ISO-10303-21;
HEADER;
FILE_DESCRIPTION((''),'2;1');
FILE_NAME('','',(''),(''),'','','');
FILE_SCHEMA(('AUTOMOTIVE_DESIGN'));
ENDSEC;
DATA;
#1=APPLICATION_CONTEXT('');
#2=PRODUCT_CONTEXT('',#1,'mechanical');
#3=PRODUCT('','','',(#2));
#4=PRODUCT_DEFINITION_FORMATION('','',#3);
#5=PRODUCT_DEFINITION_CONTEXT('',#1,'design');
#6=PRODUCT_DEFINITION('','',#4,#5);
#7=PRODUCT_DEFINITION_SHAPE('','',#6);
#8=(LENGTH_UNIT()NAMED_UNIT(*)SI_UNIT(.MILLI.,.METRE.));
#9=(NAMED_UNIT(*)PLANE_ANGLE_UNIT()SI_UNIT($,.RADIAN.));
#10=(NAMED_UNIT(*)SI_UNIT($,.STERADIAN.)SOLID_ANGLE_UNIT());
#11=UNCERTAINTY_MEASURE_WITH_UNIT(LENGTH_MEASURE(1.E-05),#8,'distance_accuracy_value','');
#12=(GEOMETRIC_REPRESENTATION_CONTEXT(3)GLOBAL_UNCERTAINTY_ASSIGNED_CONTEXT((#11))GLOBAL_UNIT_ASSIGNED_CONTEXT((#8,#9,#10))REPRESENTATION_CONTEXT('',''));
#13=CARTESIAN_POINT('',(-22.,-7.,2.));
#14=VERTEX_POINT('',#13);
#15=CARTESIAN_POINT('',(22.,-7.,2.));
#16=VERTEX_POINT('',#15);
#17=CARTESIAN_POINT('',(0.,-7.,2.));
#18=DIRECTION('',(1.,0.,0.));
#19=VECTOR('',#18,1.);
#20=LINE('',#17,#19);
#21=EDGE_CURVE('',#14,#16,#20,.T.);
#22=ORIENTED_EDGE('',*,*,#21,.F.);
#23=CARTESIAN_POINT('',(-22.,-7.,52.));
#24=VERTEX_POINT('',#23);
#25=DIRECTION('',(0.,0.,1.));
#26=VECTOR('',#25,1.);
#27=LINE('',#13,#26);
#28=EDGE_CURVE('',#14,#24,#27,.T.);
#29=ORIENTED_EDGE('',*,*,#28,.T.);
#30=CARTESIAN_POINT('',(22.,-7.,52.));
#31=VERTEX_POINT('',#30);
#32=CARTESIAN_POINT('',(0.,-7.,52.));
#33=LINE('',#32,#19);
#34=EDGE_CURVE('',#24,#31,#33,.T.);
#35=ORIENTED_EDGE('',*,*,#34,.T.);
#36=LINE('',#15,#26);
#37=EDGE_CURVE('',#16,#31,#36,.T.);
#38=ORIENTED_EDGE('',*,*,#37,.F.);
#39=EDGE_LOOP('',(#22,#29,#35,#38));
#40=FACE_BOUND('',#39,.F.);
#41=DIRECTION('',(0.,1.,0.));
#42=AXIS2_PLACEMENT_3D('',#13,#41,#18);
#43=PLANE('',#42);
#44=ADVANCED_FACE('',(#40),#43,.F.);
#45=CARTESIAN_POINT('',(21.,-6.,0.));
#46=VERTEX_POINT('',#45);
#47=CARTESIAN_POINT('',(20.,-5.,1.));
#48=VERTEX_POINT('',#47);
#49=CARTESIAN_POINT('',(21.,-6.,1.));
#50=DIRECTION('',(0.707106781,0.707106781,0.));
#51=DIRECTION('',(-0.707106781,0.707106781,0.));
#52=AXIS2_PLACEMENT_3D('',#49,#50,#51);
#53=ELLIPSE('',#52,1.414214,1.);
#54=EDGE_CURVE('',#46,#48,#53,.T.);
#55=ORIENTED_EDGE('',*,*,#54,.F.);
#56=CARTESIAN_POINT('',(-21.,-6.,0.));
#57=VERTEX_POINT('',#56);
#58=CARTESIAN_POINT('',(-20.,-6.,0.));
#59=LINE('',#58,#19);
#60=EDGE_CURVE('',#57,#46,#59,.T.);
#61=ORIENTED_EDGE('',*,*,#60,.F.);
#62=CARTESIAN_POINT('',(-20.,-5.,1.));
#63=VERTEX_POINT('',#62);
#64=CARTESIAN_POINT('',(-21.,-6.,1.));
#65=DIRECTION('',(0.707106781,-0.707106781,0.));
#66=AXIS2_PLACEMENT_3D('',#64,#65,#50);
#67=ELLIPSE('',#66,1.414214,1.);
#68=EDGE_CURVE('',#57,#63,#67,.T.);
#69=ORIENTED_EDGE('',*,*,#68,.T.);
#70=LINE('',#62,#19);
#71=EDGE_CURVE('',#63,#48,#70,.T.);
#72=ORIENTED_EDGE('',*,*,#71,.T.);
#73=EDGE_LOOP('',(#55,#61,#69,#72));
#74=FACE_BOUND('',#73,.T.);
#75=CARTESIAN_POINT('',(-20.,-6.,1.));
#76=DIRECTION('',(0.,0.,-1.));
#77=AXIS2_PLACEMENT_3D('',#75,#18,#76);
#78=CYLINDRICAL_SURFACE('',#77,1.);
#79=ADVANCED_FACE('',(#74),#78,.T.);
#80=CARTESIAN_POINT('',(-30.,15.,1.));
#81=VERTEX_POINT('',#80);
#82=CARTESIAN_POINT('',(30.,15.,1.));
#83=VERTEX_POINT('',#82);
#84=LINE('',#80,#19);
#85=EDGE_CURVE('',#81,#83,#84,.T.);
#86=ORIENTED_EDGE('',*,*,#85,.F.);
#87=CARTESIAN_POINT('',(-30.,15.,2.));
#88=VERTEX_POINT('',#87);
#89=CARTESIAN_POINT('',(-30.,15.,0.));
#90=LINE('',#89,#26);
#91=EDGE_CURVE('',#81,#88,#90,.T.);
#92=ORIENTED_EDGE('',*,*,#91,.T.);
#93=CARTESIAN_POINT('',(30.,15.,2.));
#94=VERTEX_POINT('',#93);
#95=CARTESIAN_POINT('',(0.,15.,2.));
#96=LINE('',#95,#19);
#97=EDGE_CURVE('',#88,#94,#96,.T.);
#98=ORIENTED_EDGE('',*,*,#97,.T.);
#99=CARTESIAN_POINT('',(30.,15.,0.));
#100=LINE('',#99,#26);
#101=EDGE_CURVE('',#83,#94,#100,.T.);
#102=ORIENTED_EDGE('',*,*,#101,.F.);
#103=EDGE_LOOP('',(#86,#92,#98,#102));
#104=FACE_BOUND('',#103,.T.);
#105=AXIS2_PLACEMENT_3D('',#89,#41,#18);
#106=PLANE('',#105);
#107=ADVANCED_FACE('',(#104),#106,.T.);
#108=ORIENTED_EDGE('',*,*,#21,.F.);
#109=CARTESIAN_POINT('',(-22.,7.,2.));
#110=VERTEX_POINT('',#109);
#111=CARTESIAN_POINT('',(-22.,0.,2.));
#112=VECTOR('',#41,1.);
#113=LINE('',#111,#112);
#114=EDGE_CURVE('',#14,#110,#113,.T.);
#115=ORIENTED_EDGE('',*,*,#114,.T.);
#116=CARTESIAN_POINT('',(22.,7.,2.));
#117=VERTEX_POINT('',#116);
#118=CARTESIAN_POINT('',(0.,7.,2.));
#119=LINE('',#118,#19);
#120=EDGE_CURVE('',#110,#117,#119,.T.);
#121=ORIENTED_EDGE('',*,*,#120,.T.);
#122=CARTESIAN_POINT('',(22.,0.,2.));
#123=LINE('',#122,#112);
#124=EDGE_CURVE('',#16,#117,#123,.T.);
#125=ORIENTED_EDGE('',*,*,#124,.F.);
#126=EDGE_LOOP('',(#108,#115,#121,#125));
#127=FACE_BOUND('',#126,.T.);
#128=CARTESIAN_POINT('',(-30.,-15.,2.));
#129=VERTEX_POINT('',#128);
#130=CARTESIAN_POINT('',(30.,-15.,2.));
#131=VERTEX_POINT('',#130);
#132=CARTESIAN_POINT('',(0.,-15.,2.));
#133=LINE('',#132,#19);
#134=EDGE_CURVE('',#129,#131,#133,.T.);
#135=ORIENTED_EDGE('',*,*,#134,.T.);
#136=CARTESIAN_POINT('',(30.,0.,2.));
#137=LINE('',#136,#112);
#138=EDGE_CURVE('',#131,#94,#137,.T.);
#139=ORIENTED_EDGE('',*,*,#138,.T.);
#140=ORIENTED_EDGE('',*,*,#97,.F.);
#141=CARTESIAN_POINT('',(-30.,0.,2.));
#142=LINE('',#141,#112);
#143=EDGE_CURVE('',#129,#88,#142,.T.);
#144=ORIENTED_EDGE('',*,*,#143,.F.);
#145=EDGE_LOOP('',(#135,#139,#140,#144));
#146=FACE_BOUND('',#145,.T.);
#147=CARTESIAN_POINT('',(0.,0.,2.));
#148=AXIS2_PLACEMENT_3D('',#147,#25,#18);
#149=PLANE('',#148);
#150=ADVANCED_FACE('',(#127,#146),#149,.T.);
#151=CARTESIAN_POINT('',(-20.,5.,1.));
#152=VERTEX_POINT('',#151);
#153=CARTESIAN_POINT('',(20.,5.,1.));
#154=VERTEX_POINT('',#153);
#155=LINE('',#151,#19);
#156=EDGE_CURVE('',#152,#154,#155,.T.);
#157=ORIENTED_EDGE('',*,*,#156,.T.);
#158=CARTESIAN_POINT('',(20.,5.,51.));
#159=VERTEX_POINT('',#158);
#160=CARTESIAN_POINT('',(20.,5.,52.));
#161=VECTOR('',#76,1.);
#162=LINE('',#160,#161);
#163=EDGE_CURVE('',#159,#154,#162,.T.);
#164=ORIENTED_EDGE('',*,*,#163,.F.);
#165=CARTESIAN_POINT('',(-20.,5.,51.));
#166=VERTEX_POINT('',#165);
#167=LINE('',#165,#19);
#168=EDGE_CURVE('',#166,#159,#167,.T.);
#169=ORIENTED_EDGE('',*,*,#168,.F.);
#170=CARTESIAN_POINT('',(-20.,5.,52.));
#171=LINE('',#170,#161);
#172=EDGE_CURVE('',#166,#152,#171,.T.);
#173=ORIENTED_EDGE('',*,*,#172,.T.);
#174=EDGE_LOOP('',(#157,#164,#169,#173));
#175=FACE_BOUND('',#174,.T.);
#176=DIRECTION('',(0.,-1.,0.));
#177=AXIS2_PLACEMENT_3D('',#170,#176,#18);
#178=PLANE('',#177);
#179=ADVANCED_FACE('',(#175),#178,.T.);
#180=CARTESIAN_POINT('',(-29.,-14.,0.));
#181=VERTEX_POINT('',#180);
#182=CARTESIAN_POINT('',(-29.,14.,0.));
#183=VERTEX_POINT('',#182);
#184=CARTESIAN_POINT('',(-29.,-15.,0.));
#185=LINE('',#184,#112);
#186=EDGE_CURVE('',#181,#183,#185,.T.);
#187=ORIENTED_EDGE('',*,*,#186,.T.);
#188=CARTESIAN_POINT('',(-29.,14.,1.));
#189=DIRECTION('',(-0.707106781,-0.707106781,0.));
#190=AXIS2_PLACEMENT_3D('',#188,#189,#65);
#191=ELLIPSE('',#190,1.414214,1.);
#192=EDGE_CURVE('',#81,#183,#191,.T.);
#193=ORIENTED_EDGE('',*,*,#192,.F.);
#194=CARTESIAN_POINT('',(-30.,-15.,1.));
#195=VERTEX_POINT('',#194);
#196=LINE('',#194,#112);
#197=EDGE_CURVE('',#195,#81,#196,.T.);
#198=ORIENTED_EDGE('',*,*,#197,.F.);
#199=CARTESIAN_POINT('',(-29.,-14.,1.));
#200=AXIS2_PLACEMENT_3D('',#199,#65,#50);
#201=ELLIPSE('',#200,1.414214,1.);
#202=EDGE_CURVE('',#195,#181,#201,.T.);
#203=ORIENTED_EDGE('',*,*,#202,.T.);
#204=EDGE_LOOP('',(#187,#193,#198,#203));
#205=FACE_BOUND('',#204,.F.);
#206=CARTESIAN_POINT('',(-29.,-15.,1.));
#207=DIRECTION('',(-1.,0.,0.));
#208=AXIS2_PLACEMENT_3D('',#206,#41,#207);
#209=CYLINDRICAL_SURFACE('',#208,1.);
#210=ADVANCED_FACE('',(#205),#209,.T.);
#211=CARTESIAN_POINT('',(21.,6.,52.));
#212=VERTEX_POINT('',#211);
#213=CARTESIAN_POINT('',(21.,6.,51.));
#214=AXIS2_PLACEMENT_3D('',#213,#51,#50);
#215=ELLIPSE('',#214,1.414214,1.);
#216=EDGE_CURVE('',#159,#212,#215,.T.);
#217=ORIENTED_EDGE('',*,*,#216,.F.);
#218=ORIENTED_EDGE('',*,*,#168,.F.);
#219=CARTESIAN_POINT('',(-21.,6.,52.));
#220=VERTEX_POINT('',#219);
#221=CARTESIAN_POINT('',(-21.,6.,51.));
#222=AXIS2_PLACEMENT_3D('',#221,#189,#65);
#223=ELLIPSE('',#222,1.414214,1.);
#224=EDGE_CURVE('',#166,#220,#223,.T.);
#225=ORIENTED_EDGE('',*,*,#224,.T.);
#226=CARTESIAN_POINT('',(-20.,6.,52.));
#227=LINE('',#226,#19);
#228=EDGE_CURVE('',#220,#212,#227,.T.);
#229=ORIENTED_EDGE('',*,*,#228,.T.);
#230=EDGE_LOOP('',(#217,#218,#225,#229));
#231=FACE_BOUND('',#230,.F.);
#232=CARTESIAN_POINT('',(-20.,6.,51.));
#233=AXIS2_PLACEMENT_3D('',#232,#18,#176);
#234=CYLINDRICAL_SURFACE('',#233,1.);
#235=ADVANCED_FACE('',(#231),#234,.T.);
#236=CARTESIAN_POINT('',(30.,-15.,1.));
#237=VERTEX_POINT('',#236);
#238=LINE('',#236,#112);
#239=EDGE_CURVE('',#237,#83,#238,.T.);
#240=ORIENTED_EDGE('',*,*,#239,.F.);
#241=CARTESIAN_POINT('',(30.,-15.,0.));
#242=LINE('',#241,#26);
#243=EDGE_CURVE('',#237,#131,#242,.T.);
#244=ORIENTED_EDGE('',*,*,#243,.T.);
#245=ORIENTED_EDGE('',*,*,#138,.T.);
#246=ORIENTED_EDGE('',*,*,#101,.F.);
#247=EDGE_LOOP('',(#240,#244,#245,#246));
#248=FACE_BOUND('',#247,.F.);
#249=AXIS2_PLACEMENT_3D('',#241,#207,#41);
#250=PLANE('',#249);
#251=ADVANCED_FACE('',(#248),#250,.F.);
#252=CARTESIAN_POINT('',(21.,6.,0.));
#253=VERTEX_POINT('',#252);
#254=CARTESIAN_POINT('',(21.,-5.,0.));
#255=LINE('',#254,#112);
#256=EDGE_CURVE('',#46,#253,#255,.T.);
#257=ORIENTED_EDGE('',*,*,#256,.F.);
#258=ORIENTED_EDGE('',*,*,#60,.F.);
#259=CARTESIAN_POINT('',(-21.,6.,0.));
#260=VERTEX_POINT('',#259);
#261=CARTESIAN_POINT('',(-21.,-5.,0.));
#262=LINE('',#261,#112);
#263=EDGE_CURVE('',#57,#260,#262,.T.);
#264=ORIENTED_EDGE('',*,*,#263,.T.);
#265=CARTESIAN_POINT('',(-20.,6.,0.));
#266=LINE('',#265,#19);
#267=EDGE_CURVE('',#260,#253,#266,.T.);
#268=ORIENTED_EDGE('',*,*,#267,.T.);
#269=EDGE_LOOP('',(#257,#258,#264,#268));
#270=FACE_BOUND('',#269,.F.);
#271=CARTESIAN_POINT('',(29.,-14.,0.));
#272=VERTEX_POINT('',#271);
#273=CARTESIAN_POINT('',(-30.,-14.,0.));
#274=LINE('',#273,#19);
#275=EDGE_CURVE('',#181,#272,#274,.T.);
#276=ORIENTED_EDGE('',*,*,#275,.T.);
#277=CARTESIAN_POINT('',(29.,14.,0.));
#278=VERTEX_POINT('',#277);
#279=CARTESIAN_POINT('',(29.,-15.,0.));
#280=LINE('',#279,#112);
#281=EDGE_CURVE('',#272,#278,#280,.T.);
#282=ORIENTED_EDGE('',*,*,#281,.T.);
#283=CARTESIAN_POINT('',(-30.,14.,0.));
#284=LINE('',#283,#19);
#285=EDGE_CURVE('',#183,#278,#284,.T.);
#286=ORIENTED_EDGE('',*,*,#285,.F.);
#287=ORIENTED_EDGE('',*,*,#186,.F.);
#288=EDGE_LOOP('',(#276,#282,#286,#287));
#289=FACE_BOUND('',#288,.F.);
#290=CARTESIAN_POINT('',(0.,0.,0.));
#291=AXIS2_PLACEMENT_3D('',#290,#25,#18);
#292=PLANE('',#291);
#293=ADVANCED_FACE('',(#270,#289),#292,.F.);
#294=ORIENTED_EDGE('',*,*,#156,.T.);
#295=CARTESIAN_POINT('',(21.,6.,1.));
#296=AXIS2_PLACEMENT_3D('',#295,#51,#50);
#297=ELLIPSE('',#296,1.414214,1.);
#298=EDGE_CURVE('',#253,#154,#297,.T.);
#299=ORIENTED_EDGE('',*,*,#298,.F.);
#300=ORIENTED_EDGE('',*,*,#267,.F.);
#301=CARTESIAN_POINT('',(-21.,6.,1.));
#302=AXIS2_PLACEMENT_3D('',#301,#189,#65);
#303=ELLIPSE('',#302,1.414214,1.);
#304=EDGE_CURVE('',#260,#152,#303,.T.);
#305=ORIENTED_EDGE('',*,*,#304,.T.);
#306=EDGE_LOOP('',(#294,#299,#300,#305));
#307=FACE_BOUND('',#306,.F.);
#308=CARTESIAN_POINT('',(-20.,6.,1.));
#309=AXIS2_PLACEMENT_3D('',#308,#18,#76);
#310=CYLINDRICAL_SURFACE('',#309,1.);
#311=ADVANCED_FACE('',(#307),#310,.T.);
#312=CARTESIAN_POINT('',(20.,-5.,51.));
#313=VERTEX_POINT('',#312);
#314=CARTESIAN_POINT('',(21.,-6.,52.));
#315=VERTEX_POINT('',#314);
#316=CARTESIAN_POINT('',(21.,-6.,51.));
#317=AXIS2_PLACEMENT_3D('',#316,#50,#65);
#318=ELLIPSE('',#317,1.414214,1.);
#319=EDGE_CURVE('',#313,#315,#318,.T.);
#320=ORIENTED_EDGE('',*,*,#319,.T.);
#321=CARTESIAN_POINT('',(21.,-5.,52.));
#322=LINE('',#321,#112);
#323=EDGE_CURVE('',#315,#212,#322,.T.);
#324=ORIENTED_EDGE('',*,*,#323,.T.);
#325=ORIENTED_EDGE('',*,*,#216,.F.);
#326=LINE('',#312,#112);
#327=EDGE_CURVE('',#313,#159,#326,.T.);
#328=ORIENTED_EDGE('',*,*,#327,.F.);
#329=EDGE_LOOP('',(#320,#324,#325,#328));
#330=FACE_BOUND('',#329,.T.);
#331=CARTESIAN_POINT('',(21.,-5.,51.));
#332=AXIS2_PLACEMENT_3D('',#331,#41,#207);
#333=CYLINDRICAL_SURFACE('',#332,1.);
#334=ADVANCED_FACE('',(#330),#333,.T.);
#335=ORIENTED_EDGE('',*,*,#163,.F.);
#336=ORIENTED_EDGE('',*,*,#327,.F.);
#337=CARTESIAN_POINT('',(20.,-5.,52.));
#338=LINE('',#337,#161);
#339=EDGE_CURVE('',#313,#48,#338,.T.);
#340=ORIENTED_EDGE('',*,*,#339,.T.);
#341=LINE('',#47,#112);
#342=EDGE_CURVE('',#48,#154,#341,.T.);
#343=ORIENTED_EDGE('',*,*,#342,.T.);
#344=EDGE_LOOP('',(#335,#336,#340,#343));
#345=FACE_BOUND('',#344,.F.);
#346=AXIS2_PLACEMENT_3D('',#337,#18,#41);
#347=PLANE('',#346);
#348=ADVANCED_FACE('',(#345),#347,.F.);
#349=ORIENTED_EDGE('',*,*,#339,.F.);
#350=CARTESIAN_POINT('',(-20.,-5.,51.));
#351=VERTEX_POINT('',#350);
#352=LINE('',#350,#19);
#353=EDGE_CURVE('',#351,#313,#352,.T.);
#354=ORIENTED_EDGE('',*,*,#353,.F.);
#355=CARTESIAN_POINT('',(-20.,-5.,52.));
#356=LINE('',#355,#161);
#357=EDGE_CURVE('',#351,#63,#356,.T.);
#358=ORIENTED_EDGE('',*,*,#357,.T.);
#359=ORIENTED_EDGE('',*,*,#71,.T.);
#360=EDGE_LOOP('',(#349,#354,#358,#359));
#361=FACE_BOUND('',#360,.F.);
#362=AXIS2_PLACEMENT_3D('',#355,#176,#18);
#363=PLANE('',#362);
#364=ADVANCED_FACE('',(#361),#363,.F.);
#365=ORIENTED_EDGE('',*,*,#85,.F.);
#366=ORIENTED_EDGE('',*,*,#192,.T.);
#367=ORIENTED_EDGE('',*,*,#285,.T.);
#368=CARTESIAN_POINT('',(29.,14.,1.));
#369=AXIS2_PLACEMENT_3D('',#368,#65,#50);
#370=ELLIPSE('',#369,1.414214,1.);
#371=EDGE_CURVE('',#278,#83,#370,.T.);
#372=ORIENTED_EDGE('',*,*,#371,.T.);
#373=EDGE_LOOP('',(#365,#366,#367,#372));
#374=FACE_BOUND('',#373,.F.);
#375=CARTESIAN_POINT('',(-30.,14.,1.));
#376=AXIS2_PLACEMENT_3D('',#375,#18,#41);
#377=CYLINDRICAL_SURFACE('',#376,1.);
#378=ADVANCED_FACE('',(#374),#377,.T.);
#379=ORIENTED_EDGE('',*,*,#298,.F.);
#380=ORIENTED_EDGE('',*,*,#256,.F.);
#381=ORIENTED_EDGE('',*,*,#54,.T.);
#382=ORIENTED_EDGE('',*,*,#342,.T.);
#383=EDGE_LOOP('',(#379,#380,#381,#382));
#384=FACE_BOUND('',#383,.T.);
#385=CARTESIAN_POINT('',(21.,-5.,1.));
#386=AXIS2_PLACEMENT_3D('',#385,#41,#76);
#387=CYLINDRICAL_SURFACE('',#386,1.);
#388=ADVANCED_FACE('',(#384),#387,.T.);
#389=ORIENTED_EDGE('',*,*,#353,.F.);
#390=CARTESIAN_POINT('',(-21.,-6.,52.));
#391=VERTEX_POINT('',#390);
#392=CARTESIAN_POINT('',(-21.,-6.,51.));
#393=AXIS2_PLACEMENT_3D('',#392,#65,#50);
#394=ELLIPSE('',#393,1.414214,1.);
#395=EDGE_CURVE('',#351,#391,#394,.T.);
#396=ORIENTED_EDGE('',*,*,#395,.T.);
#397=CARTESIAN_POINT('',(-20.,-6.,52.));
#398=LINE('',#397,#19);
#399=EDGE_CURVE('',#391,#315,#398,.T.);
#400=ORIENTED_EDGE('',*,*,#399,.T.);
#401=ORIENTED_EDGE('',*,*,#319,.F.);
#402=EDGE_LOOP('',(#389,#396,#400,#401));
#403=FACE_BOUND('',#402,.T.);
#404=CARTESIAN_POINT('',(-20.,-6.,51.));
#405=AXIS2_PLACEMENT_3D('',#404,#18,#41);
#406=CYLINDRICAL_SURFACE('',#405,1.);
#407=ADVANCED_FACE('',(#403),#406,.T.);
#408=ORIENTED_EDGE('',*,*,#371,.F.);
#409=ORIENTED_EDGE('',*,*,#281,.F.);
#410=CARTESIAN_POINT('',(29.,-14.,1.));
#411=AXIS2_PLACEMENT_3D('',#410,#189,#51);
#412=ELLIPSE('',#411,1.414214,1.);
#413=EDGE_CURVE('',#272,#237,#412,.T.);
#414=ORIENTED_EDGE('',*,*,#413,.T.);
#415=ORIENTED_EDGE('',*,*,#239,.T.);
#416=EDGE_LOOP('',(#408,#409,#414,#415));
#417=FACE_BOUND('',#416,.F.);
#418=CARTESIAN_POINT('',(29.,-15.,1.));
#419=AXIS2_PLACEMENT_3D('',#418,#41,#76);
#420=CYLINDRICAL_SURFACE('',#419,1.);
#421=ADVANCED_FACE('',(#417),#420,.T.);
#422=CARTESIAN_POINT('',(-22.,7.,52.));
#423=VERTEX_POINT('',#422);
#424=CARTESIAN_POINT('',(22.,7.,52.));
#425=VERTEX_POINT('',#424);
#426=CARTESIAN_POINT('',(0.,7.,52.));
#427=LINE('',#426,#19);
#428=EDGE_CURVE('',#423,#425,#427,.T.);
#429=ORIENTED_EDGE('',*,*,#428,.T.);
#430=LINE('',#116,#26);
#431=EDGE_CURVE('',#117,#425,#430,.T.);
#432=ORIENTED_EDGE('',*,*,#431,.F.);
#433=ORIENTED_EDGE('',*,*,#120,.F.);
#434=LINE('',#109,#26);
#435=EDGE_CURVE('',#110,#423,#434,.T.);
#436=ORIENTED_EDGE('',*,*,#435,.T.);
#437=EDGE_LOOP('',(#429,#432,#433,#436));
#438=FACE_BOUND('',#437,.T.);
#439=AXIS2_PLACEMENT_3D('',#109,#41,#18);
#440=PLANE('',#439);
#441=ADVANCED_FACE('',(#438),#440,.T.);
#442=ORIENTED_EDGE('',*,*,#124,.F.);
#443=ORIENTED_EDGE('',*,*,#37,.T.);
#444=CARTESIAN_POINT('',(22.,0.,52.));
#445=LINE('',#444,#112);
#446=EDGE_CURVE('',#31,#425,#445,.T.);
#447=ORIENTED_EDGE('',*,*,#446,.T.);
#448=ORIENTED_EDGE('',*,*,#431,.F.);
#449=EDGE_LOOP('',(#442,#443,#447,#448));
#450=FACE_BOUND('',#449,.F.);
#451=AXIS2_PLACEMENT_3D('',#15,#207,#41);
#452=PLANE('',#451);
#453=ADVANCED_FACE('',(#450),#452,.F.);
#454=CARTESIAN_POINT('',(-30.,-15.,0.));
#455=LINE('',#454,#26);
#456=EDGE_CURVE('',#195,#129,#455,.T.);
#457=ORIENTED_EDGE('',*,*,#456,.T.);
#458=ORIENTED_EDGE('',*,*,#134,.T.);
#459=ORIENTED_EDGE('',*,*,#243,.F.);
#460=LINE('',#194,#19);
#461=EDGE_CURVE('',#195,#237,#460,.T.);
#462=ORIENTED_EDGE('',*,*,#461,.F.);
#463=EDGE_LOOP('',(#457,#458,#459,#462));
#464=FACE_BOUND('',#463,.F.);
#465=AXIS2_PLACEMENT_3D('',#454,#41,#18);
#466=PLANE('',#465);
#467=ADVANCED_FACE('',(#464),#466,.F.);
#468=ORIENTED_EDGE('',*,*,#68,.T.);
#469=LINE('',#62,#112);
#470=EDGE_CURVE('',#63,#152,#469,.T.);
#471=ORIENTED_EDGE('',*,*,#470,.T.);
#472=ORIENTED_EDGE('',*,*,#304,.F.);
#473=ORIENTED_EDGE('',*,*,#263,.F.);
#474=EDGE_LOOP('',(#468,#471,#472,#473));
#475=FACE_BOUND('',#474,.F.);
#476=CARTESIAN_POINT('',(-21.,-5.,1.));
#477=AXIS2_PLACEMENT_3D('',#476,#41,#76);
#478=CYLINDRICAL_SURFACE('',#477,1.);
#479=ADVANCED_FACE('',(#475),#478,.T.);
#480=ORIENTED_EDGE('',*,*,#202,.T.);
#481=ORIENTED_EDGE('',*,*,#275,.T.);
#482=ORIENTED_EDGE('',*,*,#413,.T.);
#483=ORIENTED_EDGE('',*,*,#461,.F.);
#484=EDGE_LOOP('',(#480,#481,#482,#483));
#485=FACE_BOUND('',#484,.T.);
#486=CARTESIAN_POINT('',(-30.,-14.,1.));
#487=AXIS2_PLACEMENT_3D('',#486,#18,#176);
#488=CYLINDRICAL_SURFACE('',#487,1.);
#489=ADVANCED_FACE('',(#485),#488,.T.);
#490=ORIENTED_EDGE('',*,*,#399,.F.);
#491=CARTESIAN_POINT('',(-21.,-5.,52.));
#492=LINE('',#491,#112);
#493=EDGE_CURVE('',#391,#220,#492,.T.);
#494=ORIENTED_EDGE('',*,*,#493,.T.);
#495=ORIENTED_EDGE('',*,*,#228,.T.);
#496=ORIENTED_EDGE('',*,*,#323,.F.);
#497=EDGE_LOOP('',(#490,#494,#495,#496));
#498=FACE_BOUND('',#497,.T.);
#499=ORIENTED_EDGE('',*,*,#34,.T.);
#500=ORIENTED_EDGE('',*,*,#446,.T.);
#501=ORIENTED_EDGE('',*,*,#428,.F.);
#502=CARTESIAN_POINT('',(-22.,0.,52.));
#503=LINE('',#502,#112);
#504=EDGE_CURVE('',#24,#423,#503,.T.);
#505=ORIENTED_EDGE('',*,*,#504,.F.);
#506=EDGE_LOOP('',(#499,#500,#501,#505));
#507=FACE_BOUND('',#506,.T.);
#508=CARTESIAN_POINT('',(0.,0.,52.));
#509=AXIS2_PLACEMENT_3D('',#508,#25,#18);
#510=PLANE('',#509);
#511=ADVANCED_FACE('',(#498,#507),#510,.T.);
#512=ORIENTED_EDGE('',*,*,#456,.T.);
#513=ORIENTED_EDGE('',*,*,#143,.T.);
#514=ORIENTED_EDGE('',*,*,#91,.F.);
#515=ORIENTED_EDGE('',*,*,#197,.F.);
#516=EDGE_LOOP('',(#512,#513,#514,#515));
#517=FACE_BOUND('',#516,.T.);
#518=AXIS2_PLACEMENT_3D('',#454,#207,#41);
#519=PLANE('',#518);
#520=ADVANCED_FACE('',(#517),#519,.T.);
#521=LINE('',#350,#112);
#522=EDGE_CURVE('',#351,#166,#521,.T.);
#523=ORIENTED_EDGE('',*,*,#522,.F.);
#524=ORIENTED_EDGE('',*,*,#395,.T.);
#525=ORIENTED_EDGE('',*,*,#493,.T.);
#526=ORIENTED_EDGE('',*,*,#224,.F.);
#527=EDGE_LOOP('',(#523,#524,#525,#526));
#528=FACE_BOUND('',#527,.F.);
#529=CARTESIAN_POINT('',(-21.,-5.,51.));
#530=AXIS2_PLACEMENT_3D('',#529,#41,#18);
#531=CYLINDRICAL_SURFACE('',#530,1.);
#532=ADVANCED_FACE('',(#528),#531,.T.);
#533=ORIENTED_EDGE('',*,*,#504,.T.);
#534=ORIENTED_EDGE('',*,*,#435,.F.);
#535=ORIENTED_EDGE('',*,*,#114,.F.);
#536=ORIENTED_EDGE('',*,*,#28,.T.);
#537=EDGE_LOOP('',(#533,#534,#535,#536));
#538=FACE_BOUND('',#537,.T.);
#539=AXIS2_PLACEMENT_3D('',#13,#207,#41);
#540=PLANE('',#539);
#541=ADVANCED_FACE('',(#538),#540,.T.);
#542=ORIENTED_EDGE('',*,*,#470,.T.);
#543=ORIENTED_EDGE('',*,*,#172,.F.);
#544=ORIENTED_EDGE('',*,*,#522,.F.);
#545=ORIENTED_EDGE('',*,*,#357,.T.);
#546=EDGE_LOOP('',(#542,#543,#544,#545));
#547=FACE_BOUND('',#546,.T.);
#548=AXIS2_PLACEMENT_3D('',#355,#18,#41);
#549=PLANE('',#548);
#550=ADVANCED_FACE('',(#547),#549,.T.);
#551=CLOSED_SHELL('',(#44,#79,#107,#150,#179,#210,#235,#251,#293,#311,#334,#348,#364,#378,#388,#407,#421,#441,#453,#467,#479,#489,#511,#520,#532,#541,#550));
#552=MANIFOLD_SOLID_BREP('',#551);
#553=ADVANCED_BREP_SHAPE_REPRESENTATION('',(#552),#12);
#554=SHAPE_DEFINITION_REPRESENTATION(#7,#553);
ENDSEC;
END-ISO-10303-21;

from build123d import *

# Parameters (mm, degrees)
F0_W     = 60
F0_H     = 30
F1_DEPTH = 2
F2_W     = 44
F2_H     = 14
F3_DEPTH = 50
F4_W     = 40
F4_H     = 10
F5_DEPTH = 52.001
F6_R     = 1


with BuildPart() as f1:
    # F0 (on Top) → F1 (new body)
    with BuildSketch(Plane.XY):
        Rectangle(F0_W, F0_H)
    extrude(amount=F1_DEPTH)

    # F2 (on face) → F3 (join)
    with BuildSketch(Plane.XY.offset(2)):
        Rectangle(F2_W, F2_H)
    extrude(amount=F3_DEPTH)

    # F4 (on face) → F5 (cut, through all)
    with BuildSketch(Plane.XY.offset(52)):
        Rectangle(F4_W, F4_H)
    extrude(amount=-F5_DEPTH, mode=Mode.SUBTRACT)

    # F6
    f6_edges = [f1.edges().sort_by_distance(p)[0] for p in [
        (30, 0, 0),
        (0, -15, 0),
        (0, 15, 0),
        (-30, 0, 0),
        (20, 0, 0),
        (0, 5, 0),
        (-20, 0, 0),
        (0, -5, 0),
        (0, 5, 52),
        (-20, 0, 52),
        (0, -5, 52),
        (20, 0, 52),
    ]]
    fillet(f6_edges, radius=F6_R)


solid = f1.part
